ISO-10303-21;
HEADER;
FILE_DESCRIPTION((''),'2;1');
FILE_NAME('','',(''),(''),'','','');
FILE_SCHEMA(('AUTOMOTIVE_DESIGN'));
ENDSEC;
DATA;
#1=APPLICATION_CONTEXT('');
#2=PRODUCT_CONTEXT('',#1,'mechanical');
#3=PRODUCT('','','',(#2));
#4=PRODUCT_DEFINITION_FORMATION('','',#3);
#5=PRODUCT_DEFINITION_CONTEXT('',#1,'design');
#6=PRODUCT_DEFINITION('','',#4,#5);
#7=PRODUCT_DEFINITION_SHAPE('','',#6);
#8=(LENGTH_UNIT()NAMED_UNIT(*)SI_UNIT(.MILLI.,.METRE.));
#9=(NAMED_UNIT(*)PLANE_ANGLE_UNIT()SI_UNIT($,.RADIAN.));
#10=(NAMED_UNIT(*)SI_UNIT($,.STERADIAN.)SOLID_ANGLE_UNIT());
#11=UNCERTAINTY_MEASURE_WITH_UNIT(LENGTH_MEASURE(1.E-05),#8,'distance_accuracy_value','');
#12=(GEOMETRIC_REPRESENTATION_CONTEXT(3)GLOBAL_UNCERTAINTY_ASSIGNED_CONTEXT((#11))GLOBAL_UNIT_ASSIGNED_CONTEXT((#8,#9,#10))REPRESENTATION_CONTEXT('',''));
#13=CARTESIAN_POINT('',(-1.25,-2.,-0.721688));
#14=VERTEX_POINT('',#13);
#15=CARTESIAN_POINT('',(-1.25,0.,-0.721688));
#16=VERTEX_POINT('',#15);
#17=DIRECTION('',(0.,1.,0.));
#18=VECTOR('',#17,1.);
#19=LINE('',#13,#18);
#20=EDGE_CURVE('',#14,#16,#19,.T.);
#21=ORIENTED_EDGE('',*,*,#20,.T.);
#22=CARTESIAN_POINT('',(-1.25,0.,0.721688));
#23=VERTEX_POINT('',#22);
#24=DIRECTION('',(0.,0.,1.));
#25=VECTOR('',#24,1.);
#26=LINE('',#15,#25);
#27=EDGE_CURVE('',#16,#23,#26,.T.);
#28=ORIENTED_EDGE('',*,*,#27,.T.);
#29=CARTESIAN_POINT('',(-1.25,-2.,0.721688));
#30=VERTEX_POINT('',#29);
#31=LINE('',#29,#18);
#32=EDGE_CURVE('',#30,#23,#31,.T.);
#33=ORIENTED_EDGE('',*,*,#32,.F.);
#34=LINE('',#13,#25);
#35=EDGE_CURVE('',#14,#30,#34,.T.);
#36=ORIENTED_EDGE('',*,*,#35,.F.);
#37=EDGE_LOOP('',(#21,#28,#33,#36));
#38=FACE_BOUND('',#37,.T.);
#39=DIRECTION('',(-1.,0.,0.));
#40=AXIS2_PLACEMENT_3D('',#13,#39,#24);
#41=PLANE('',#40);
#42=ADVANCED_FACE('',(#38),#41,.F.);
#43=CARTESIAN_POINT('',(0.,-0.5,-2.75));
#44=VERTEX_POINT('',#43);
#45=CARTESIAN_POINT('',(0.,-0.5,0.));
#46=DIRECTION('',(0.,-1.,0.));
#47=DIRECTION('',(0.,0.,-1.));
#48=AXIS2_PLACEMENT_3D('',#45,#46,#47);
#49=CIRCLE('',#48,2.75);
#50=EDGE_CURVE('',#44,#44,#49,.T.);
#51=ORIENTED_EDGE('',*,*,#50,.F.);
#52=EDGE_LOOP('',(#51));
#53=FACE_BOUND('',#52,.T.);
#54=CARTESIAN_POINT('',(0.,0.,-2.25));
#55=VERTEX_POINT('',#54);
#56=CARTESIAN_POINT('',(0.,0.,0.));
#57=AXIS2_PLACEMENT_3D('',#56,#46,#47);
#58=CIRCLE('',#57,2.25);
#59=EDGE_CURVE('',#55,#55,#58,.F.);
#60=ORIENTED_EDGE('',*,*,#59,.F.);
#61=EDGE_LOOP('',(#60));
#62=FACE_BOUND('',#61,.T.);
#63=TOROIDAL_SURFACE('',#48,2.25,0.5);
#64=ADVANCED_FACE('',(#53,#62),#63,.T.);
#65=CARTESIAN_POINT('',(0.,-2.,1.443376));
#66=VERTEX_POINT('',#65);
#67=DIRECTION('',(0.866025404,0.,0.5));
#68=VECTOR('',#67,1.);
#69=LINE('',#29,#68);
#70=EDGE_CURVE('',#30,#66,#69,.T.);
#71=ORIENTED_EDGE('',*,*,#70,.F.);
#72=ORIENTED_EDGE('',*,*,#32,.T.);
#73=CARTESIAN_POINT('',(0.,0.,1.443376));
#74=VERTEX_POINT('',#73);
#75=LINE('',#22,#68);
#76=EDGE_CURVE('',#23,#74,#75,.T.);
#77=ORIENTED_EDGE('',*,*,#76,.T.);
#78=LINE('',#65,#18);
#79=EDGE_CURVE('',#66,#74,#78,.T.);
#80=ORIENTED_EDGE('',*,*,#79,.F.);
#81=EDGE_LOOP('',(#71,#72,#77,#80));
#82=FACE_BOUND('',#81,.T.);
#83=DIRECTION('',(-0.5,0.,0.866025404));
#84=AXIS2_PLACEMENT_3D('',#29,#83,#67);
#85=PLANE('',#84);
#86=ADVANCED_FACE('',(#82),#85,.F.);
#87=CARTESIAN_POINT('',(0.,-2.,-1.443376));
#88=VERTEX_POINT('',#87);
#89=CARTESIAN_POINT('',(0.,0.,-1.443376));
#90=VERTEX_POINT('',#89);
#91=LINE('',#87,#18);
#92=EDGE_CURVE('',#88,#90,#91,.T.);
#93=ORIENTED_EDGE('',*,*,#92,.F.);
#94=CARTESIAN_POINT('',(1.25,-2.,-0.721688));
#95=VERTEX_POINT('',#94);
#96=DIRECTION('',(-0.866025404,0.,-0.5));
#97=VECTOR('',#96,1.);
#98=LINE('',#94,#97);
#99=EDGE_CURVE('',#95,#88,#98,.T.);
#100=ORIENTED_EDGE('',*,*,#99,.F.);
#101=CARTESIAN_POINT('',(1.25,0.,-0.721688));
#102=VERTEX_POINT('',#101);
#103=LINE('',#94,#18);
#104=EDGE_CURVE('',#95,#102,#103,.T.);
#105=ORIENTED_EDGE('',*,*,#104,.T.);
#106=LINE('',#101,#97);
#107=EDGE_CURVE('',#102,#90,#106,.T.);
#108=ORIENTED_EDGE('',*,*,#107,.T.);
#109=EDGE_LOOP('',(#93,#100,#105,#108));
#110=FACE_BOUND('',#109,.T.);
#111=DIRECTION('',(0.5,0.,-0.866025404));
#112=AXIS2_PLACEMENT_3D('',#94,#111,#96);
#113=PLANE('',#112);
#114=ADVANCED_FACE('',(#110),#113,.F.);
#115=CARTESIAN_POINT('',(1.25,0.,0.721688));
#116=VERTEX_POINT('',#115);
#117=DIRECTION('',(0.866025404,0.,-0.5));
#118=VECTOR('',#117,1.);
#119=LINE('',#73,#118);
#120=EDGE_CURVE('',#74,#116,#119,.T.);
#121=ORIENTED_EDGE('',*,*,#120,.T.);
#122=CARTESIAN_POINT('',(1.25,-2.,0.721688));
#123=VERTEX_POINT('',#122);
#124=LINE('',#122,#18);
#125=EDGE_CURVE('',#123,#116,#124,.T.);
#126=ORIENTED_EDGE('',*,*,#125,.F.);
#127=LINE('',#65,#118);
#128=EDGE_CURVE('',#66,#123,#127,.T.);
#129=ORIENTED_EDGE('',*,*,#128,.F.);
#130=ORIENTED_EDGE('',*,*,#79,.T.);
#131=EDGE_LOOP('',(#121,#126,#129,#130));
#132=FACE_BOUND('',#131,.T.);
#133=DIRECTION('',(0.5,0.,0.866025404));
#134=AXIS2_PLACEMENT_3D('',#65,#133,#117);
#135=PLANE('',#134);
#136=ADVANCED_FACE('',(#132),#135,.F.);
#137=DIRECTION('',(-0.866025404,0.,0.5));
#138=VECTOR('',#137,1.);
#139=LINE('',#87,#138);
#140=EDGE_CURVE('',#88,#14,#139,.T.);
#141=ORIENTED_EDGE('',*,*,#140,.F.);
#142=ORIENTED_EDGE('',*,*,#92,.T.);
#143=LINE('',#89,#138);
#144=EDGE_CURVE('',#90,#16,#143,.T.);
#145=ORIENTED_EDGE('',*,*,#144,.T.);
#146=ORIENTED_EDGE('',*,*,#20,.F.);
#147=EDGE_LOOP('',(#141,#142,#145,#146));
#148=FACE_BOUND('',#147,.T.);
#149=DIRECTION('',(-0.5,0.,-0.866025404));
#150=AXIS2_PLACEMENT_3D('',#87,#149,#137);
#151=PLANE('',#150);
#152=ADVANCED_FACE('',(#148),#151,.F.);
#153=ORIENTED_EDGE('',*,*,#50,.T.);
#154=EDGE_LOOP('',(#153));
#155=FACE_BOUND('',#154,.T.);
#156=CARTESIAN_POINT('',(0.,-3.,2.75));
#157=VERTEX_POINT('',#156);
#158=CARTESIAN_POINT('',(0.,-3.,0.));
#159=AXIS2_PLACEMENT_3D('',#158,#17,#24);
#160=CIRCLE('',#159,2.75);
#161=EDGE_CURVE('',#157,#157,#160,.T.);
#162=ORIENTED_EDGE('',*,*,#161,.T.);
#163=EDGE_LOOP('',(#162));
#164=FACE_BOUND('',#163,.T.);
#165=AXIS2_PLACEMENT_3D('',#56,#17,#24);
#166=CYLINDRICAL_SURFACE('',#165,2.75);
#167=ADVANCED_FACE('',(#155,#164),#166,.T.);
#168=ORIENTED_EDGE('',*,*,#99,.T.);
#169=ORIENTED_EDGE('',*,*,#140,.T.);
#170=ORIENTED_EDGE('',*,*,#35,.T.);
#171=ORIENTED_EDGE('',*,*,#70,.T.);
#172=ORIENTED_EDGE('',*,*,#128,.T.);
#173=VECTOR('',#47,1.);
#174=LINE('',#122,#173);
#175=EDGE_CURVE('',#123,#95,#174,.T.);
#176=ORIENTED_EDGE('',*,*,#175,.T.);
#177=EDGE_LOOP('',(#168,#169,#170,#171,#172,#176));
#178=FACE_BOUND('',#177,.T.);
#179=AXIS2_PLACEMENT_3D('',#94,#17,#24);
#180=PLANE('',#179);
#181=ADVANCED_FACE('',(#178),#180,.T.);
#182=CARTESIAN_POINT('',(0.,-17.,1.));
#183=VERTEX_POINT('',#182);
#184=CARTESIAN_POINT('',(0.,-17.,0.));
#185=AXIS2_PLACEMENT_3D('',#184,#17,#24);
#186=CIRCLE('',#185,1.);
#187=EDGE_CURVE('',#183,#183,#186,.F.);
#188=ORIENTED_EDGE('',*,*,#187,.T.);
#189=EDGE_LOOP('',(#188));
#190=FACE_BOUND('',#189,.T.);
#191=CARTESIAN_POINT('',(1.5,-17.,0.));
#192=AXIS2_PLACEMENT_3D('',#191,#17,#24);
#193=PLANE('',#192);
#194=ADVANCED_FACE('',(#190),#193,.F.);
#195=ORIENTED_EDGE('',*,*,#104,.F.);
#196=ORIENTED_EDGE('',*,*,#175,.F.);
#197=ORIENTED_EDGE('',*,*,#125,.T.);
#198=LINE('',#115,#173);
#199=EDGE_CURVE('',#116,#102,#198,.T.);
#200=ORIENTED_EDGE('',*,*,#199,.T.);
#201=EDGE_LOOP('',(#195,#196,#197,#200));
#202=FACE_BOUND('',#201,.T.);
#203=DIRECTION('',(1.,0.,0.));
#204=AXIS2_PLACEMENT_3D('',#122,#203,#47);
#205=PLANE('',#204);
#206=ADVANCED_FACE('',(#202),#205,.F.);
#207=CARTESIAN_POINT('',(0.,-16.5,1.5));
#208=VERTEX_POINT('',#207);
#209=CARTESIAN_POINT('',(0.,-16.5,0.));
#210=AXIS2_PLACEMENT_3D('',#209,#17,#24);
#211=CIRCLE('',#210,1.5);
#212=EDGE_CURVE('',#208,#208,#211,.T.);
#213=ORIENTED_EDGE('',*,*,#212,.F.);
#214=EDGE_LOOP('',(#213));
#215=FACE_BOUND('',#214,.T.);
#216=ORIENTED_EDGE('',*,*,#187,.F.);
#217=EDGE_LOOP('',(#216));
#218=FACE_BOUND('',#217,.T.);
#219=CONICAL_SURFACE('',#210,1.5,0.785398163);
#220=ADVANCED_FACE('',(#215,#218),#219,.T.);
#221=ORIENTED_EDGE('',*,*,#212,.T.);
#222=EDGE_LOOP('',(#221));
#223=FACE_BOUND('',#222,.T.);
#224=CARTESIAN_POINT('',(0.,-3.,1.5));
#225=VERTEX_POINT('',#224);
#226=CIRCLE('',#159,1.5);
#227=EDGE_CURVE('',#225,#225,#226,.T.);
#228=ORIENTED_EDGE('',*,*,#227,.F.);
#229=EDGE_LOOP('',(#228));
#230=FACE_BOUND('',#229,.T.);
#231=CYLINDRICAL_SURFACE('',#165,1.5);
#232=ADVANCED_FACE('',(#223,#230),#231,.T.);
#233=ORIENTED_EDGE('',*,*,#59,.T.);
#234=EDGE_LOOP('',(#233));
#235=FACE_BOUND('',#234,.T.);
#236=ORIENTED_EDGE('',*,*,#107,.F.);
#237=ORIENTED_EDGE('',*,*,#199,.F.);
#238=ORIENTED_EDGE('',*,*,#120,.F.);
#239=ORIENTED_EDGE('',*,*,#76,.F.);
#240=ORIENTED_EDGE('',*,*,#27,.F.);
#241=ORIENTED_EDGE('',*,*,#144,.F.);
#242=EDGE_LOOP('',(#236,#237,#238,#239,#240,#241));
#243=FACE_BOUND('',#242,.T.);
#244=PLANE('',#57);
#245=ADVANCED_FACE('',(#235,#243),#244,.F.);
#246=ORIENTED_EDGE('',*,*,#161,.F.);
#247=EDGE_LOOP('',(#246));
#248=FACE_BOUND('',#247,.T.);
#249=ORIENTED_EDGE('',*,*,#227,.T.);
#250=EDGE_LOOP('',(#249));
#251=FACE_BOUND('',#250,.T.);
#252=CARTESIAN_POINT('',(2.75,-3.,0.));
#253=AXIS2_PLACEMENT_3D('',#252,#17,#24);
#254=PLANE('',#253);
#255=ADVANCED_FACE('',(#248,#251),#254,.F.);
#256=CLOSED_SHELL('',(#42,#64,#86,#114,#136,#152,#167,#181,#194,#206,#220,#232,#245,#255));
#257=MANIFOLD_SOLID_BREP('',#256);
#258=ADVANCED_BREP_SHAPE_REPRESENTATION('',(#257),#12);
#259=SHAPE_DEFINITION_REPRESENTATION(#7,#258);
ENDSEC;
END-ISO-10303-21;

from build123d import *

# Parameters (mm, degrees)
CORTAR_EXTRUIR1_DEPTH = 2
CHAFL_N1_SIZE         = 0.5
REDONDEO1_R           = 0.5


with BuildPart() as part:
    # Croquis1 → Revolución1 (revolve)
    with BuildSketch(Plane.XY, mode=Mode.PRIVATE) as revoluci_n1_sk:
        Polygon((0, 0), (2.75, 0), (2.75, -3), (1.5, -3), (1.5, -17), (0, -17), align=None)
    revolve(revoluci_n1_sk.sketch.rotate(Axis((0, 0, 0), (0, -1, 0)), 90), axis=Axis((0, 0, 0), (0, -1, 0)))

    # Croquis2 → Cortar-Extruir1 (cut)
    with BuildSketch(Plane(origin=(0, 0, 0), x_dir=(1, 0, 0), z_dir=(0, 1, 0))):
        Polygon((1.25, 0.721687836), (0, 1.443375673), (-1.25, 0.721687836), (-1.25, -0.721687836), (0, -1.443375673), (1.25, -0.721687836), align=None)
    extrude(amount=-CORTAR_EXTRUIR1_DEPTH, mode=Mode.SUBTRACT)

    # Chaflán1
    chafl_n1_edges = [part.edges().sort_by_distance(p)[0] for p in [
        (0, -17, -1.5),
    ]]
    chamfer(chafl_n1_edges, length=CHAFL_N1_SIZE)

    # Redondeo1
    redondeo1_edges = [part.edges().sort_by_distance(p)[0] for p in [
        (0, 0, -2.75),
    ]]
    fillet(redondeo1_edges, radius=REDONDEO1_R)


solid = part.part
